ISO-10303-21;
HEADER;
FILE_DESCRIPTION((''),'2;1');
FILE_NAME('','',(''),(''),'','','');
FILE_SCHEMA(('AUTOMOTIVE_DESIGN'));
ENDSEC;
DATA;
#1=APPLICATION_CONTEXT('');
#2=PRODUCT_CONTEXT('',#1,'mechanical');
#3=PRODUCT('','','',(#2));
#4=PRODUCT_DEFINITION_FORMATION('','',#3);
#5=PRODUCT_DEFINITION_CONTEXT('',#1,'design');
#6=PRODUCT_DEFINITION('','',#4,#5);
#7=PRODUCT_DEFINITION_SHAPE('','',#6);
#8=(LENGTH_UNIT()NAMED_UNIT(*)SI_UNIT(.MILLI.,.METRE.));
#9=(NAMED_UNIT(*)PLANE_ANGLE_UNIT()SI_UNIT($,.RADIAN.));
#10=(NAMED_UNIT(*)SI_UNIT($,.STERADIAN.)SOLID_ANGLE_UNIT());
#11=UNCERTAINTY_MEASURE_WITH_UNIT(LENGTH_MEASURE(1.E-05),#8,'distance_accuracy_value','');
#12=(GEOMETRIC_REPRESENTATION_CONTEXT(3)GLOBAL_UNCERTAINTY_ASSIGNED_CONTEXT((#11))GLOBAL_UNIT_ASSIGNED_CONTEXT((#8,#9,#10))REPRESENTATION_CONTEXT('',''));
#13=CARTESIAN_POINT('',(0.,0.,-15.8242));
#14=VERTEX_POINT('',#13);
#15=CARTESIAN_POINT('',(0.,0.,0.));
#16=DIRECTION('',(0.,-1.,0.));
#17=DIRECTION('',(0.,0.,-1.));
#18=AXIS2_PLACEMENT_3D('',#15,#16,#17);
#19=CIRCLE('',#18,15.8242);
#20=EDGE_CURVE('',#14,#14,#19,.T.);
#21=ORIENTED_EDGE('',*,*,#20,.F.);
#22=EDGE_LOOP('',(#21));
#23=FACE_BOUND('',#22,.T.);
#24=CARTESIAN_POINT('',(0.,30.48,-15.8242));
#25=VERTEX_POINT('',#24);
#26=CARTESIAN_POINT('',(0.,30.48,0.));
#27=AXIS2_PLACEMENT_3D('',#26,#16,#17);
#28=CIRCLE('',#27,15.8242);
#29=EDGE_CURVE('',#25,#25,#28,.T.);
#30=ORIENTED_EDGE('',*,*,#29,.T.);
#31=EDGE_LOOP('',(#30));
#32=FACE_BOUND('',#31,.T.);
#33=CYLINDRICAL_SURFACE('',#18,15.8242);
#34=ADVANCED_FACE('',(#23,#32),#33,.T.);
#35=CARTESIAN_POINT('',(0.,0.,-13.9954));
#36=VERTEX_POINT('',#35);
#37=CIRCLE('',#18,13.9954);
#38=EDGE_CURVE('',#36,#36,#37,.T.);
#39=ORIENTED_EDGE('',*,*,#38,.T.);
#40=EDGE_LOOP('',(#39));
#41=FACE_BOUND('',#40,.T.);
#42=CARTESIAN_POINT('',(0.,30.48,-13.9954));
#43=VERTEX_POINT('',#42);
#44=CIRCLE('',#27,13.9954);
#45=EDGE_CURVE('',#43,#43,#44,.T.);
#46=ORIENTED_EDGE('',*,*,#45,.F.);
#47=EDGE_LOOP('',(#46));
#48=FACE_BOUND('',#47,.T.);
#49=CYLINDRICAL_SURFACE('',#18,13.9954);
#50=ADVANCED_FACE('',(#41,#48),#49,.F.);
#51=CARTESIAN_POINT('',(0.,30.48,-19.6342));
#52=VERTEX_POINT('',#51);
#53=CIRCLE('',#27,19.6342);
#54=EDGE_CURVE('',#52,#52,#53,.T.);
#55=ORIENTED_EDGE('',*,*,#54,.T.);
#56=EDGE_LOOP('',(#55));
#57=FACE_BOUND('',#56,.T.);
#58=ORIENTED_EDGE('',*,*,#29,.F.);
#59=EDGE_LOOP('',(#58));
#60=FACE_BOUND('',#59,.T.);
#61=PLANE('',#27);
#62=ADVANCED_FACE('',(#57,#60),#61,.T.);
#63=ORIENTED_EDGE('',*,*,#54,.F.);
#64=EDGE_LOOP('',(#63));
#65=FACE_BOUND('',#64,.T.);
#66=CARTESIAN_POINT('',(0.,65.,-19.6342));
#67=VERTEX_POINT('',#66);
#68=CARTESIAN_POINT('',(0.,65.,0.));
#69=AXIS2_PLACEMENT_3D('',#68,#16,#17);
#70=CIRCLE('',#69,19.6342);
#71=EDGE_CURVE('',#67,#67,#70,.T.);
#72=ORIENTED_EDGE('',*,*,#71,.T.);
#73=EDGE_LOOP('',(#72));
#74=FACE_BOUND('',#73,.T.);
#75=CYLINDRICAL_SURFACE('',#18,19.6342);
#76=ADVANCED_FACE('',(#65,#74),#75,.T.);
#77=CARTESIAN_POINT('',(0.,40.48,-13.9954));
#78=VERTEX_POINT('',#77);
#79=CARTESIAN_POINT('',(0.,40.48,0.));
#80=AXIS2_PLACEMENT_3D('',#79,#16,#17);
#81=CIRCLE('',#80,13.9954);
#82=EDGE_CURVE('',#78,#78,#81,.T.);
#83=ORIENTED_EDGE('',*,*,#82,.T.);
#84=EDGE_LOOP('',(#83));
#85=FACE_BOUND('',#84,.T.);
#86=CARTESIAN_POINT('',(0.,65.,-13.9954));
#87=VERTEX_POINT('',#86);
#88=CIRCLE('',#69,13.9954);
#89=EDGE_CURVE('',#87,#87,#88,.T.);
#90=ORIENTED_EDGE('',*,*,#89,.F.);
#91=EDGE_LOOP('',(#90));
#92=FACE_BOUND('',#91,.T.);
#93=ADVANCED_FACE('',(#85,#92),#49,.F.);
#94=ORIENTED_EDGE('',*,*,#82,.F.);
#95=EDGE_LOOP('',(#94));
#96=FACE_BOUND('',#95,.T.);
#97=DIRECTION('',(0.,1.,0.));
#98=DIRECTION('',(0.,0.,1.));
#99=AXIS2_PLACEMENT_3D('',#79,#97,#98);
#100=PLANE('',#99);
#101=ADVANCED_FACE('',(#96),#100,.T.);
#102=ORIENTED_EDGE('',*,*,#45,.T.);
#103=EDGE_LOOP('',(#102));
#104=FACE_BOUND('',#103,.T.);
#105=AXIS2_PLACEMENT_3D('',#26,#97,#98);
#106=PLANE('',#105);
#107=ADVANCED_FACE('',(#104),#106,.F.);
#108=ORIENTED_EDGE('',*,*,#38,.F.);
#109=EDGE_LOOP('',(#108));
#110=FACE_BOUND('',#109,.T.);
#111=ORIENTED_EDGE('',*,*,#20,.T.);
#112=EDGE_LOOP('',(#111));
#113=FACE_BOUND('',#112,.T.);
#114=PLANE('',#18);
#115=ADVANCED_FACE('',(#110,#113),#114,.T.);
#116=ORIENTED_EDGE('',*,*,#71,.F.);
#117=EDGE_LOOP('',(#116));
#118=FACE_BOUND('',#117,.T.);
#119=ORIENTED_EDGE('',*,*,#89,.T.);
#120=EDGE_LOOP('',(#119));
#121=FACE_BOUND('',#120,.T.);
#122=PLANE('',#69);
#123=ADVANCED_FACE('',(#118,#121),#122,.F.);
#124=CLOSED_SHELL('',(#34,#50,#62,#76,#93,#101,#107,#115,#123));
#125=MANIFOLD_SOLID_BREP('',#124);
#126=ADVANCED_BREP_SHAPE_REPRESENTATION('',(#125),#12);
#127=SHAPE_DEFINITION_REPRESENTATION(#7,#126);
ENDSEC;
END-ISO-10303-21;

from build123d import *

# Parameters (mm, degrees)
SKETCH1_W   = 13.9954
SKETCH1_H   = 10
SKETCH1_W_2 = 1.8288
SKETCH1_H_2 = 30.48


with BuildPart() as part:
    # Sketch1 → Revolve1 (revolve)
    with BuildSketch(Plane.XY, mode=Mode.PRIVATE) as revolve1_sk:
        with Locations((6.9977, 35.48)):
            Rectangle(SKETCH1_W, SKETCH1_H)
        Polygon((13.9954, 40.48), (13.9954, 30.48), (15.8242, 30.48), (19.6342, 30.48), (19.6342, 65), (13.9954, 65), align=None)
        with Locations((14.9098, 15.24)):
            Rectangle(SKETCH1_W_2, SKETCH1_H_2)
    revolve(revolve1_sk.sketch.rotate(Axis((0, 0, 0), (0, 1, 0)), 90), axis=Axis((0, 0, 0), (0, 1, 0)))


solid = part.part
